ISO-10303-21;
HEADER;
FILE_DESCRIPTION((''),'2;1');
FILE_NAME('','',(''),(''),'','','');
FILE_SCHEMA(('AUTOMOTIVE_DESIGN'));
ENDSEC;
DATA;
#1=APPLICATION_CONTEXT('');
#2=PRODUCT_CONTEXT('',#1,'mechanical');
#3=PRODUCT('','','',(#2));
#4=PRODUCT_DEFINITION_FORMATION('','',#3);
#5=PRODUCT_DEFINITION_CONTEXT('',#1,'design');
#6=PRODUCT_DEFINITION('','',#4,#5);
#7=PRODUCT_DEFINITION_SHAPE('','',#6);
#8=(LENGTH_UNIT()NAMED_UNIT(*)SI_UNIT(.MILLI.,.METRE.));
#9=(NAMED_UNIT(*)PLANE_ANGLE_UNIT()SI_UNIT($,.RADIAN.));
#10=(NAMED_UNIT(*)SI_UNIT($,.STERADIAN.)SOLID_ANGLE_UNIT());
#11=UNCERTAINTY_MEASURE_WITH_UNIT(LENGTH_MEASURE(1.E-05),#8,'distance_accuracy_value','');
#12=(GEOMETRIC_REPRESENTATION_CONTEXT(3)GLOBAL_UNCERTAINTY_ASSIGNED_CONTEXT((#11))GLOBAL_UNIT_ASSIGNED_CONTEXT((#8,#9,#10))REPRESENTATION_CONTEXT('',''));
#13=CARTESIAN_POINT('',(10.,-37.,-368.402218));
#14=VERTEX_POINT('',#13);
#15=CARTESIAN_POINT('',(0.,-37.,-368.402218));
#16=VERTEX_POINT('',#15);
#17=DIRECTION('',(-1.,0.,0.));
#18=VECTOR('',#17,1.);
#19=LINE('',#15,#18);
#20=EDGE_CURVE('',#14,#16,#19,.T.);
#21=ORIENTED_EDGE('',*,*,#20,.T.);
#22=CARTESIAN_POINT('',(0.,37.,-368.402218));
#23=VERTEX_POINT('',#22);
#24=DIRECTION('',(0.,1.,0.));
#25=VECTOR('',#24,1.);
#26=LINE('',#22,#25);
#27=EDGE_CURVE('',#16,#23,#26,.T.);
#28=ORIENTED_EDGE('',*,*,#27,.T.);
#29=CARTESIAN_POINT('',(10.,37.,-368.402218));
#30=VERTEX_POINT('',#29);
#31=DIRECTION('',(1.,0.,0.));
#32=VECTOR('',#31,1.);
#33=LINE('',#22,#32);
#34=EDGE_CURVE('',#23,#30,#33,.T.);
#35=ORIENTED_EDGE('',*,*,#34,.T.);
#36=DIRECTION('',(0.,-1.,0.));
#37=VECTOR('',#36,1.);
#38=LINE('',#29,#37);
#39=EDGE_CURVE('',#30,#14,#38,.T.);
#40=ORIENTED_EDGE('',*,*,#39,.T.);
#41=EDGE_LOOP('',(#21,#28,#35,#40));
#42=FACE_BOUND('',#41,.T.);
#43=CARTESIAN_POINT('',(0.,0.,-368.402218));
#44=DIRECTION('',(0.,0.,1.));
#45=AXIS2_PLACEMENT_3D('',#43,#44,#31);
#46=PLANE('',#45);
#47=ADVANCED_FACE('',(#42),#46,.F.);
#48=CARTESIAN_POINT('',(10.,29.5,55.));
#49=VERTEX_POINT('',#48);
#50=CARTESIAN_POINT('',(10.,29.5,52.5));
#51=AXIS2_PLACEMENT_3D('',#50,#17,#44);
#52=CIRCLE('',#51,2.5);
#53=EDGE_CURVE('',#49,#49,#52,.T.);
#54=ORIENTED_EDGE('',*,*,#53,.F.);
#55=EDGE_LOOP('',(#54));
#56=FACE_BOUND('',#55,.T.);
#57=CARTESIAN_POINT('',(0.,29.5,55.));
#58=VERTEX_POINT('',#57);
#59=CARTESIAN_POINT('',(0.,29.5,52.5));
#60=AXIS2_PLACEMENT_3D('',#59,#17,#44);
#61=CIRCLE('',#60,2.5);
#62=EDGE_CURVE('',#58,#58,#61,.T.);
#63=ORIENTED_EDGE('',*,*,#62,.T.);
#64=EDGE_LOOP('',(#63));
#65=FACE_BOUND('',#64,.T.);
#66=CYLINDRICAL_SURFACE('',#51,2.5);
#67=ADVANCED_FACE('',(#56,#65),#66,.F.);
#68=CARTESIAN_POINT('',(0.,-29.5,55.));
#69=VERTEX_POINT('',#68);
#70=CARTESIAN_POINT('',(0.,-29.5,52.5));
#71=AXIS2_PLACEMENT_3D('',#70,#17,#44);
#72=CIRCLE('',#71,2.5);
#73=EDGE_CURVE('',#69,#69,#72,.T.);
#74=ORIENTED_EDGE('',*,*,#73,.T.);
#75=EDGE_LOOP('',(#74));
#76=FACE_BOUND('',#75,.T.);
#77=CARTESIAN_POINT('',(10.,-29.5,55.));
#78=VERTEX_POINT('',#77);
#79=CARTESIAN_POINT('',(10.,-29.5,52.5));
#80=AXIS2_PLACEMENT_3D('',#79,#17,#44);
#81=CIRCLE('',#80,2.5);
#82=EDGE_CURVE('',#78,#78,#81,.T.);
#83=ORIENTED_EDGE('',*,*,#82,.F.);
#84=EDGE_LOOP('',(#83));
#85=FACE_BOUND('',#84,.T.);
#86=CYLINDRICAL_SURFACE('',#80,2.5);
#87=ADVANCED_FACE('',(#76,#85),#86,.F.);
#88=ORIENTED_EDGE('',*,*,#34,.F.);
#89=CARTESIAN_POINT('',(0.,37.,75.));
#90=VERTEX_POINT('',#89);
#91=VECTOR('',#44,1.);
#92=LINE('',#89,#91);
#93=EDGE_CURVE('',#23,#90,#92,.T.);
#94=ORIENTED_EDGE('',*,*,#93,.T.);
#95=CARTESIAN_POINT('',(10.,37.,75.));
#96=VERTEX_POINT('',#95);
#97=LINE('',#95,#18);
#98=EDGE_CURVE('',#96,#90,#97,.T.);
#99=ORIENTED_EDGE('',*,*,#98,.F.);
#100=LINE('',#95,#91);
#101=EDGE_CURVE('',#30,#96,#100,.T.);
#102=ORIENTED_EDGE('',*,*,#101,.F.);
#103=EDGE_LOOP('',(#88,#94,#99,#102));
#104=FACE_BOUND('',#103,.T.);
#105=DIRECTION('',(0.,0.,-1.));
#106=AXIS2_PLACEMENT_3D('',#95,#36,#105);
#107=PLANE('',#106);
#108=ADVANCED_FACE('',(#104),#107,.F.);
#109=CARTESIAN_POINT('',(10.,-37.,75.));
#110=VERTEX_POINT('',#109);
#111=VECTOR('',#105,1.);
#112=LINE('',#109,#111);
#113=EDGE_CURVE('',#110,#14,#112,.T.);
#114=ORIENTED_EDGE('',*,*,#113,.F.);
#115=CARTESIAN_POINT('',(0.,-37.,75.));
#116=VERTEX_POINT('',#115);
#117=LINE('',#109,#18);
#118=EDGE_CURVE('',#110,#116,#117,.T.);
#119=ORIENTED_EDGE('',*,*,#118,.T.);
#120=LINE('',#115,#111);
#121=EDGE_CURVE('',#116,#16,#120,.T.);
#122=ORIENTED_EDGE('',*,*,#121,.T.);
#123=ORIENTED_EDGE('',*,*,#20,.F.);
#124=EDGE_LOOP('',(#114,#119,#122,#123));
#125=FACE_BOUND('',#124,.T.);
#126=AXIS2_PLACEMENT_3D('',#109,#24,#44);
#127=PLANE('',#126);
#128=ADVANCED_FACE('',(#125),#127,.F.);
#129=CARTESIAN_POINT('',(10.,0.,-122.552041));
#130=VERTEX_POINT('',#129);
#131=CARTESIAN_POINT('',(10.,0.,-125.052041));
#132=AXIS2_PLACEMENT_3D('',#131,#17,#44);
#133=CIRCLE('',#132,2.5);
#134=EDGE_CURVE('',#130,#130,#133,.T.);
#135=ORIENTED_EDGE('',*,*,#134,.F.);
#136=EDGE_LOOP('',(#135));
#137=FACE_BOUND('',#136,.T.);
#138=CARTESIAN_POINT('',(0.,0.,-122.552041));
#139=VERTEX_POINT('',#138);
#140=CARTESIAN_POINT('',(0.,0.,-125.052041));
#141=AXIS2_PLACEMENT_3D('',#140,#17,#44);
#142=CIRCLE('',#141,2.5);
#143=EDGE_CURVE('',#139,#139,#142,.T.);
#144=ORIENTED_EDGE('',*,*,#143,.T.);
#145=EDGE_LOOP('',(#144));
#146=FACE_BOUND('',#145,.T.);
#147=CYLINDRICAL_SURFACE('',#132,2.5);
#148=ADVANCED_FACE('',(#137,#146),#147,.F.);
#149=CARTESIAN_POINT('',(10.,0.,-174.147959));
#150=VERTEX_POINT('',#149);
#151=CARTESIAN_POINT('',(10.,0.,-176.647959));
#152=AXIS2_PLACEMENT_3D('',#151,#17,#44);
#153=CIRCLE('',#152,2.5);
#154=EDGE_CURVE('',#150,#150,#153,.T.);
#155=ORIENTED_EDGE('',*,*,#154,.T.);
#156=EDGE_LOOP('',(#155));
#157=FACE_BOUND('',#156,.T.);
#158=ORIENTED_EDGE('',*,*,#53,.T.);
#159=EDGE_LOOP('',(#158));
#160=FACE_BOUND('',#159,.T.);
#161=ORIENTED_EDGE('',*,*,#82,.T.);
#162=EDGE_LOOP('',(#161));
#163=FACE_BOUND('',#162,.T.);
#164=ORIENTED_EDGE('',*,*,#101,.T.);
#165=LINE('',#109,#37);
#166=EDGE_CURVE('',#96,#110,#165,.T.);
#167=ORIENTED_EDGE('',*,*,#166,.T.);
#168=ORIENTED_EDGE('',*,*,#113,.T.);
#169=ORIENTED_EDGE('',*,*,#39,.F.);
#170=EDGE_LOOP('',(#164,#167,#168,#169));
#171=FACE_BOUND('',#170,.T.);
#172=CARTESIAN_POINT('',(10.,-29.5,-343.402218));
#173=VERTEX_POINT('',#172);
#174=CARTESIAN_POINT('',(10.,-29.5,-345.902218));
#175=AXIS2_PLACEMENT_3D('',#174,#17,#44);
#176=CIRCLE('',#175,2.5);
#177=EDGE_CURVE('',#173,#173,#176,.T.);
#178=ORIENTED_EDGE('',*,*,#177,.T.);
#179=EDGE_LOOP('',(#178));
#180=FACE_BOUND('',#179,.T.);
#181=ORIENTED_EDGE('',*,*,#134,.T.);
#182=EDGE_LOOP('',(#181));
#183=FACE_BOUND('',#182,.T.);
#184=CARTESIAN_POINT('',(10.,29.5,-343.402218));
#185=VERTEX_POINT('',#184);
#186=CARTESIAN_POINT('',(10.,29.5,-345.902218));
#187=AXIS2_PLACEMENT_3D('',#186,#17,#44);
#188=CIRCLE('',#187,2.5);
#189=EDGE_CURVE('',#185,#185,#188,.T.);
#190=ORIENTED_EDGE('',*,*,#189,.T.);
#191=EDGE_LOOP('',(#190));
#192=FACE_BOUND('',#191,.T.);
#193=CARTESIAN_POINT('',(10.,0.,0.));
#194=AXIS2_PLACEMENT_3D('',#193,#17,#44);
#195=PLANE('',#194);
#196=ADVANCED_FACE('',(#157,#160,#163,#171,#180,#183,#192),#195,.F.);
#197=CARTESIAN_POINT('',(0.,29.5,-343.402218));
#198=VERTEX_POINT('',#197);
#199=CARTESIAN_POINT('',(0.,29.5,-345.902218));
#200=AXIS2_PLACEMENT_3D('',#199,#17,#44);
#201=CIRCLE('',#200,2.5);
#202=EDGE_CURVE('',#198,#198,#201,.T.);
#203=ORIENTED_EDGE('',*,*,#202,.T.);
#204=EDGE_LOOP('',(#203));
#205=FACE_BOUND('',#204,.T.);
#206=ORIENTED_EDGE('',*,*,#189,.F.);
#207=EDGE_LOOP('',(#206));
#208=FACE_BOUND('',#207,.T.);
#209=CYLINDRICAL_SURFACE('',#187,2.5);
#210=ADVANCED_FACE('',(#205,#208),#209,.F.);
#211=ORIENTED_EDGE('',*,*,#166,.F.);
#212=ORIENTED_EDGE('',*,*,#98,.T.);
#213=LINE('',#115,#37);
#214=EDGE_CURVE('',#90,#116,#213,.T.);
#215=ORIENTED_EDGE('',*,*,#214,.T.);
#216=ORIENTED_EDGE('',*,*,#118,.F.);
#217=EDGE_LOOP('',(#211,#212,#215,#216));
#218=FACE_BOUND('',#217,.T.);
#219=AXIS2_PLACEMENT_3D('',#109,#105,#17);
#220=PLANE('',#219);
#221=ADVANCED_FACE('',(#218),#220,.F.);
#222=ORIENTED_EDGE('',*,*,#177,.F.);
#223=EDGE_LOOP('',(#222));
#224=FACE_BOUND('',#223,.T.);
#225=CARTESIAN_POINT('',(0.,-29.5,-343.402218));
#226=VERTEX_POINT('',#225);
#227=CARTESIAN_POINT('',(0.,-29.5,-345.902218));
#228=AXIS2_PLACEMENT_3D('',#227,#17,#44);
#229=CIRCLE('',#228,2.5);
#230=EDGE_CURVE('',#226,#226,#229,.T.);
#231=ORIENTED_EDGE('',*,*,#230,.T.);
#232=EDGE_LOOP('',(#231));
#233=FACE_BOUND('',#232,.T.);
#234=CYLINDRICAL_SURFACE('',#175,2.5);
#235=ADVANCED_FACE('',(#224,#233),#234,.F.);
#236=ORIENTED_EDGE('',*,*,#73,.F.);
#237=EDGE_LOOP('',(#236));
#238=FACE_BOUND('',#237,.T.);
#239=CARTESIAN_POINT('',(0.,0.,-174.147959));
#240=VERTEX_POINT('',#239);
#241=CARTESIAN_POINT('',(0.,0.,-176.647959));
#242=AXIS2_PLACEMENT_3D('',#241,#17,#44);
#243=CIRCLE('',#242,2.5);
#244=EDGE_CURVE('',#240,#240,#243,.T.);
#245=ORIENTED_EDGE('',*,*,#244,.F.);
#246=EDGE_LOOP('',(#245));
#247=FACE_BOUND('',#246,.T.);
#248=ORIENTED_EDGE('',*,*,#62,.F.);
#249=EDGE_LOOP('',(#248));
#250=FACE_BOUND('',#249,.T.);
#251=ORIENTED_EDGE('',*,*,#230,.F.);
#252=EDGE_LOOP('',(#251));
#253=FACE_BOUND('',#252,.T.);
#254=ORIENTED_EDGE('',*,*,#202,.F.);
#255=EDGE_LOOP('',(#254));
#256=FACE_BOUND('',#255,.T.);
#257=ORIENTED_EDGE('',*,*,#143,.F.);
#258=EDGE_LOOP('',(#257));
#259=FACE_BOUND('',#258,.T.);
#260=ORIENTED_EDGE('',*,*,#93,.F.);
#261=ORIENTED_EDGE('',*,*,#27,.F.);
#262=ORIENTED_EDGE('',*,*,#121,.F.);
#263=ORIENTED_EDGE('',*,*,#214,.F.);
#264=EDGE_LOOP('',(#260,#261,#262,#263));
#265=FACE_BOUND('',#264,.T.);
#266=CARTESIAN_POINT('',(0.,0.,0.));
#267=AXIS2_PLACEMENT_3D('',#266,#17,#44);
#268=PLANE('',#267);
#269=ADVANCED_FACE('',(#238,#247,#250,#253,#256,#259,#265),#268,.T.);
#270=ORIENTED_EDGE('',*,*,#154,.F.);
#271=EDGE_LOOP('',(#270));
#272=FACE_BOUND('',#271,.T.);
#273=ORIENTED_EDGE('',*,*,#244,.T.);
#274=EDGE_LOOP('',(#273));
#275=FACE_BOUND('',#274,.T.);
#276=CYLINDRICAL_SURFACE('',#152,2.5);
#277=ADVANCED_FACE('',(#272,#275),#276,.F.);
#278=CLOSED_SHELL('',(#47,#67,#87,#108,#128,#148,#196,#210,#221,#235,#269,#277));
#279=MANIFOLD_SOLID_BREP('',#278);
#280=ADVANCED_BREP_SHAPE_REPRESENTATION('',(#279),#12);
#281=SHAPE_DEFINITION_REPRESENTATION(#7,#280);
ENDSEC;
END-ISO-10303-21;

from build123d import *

# Parameters (mm, degrees)
SKETCH1_W           = 150
SKETCH1_H           = 74
BOSS_EXTRUDE1_DEPTH = 10
SKETCH2_W           = 10
SKETCH2_H           = 74
BOSS_EXTRUDE2_DEPTH = 283.402218
SKETCH3_W           = 10
SKETCH3_H           = 74
BOSS_EXTRUDE3_DEPTH = 10
SKETCH4_R           = 2.5
CUT_EXTRUDE1_DEPTH  = 10
SKETCH11_R          = 2.5
CUT_EXTRUDE2_DEPTH  = 10


with BuildPart() as part:
    # Sketch1 → Boss-Extrude1 (new body)
    with BuildSketch(Plane(origin=(0, 0, 0), x_dir=(0, 0, -1), z_dir=(1, 0, 0))):
        Rectangle(SKETCH1_W, SKETCH1_H)
    extrude(amount=BOSS_EXTRUDE1_DEPTH)

    # Sketch2 → Boss-Extrude2 (add)
    with BuildSketch(Plane(origin=(0, 0, -75), x_dir=(-1, 0, 0), z_dir=(0, 0, -1))):
        with Locations((-5, 0)):
            Rectangle(SKETCH2_W, SKETCH2_H)
    extrude(amount=BOSS_EXTRUDE2_DEPTH)

    # Sketch3 → Boss-Extrude3 (add)
    with BuildSketch(Plane(origin=(0, 0, -358.402218), x_dir=(-1, 0, 0), z_dir=(0, 0, -1))):
        with Locations((-5, 0)):
            Rectangle(SKETCH3_W, SKETCH3_H)
    extrude(amount=BOSS_EXTRUDE3_DEPTH)

    # Sketch4 → Cut-Extrude1 (cut)
    with BuildSketch(Plane.ZY):
        with Locations((52.5, -29.5)):
            Circle(SKETCH4_R)
        with Locations((52.5, 29.5)):
            Circle(SKETCH4_R)
        with Locations((-345.902218, 29.5)):
            Circle(SKETCH4_R)
        with Locations((-345.902218, -29.5)):
            Circle(SKETCH4_R)
    extrude(amount=-CUT_EXTRUDE1_DEPTH, mode=Mode.SUBTRACT)

    # Sketch11 → Cut-Extrude2 (cut)
    with BuildSketch(Plane.ZY):
        with Locations((-125.052041, 0)):
            Circle(SKETCH11_R)
        with Locations((-176.647959, 0)):
            Circle(SKETCH11_R)
    extrude(amount=-CUT_EXTRUDE2_DEPTH, mode=Mode.SUBTRACT)


solid = part.part
